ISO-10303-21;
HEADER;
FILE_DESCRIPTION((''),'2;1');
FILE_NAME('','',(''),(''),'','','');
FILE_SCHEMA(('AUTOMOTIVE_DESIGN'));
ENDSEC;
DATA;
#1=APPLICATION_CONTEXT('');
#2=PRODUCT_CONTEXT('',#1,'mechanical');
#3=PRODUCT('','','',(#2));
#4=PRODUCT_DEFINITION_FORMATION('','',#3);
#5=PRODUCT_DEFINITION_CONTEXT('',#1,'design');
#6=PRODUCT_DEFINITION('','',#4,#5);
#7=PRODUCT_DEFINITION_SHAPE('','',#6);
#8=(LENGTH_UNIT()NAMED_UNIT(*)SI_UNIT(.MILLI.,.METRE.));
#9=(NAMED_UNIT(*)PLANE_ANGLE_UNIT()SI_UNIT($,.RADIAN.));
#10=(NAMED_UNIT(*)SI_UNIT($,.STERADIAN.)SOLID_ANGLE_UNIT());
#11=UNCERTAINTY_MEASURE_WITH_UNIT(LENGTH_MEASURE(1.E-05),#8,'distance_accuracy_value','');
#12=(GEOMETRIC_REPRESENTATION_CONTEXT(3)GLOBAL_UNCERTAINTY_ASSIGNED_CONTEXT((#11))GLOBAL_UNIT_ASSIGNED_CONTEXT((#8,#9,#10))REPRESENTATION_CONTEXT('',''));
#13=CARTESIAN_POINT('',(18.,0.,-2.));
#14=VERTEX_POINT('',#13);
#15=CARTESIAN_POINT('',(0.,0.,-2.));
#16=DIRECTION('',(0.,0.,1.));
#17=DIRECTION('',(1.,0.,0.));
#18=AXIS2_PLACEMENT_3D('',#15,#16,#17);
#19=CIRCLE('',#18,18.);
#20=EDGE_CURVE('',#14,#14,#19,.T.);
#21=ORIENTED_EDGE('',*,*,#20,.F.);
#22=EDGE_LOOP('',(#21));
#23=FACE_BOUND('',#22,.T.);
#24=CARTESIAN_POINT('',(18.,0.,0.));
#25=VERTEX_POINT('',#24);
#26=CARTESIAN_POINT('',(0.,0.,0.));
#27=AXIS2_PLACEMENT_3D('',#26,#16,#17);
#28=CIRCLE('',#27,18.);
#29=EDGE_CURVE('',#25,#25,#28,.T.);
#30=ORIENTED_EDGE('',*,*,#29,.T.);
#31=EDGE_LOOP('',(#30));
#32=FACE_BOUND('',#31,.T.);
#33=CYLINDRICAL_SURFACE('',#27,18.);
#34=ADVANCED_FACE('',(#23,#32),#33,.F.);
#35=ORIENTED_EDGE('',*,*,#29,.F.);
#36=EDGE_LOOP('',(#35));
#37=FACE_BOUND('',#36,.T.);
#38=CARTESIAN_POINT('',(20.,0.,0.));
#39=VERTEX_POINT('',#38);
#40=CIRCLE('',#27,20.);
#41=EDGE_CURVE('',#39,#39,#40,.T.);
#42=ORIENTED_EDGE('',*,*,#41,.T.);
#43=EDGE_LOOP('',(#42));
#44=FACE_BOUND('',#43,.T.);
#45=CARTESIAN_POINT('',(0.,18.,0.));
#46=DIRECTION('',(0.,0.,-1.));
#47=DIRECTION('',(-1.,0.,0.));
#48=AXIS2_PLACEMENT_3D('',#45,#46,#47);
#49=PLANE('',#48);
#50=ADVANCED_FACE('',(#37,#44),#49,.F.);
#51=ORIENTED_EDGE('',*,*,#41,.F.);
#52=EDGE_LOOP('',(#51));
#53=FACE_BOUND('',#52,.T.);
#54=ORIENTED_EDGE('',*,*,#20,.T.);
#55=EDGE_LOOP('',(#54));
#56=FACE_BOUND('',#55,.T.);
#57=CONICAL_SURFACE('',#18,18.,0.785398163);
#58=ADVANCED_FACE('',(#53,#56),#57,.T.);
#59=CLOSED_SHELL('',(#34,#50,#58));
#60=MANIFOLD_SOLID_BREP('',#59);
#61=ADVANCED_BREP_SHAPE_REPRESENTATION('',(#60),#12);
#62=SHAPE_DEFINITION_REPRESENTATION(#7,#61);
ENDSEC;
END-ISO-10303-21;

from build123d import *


with BuildPart() as part:
    # Sketch1 → Revolve1 (revolve)
    with BuildSketch(Plane(origin=(0, 0, 0), x_dir=(0, 0, -1), z_dir=(1, 0, 0)), mode=Mode.PRIVATE) as revolve1_sk:
        Polygon((0, 18), (0, 20), (2, 18), align=None)
    revolve(revolve1_sk.sketch.rotate(Axis((0, 0, 0), (0, 0, -1)), 90), axis=Axis((0, 0, 0), (0, 0, -1)))


solid = part.part
